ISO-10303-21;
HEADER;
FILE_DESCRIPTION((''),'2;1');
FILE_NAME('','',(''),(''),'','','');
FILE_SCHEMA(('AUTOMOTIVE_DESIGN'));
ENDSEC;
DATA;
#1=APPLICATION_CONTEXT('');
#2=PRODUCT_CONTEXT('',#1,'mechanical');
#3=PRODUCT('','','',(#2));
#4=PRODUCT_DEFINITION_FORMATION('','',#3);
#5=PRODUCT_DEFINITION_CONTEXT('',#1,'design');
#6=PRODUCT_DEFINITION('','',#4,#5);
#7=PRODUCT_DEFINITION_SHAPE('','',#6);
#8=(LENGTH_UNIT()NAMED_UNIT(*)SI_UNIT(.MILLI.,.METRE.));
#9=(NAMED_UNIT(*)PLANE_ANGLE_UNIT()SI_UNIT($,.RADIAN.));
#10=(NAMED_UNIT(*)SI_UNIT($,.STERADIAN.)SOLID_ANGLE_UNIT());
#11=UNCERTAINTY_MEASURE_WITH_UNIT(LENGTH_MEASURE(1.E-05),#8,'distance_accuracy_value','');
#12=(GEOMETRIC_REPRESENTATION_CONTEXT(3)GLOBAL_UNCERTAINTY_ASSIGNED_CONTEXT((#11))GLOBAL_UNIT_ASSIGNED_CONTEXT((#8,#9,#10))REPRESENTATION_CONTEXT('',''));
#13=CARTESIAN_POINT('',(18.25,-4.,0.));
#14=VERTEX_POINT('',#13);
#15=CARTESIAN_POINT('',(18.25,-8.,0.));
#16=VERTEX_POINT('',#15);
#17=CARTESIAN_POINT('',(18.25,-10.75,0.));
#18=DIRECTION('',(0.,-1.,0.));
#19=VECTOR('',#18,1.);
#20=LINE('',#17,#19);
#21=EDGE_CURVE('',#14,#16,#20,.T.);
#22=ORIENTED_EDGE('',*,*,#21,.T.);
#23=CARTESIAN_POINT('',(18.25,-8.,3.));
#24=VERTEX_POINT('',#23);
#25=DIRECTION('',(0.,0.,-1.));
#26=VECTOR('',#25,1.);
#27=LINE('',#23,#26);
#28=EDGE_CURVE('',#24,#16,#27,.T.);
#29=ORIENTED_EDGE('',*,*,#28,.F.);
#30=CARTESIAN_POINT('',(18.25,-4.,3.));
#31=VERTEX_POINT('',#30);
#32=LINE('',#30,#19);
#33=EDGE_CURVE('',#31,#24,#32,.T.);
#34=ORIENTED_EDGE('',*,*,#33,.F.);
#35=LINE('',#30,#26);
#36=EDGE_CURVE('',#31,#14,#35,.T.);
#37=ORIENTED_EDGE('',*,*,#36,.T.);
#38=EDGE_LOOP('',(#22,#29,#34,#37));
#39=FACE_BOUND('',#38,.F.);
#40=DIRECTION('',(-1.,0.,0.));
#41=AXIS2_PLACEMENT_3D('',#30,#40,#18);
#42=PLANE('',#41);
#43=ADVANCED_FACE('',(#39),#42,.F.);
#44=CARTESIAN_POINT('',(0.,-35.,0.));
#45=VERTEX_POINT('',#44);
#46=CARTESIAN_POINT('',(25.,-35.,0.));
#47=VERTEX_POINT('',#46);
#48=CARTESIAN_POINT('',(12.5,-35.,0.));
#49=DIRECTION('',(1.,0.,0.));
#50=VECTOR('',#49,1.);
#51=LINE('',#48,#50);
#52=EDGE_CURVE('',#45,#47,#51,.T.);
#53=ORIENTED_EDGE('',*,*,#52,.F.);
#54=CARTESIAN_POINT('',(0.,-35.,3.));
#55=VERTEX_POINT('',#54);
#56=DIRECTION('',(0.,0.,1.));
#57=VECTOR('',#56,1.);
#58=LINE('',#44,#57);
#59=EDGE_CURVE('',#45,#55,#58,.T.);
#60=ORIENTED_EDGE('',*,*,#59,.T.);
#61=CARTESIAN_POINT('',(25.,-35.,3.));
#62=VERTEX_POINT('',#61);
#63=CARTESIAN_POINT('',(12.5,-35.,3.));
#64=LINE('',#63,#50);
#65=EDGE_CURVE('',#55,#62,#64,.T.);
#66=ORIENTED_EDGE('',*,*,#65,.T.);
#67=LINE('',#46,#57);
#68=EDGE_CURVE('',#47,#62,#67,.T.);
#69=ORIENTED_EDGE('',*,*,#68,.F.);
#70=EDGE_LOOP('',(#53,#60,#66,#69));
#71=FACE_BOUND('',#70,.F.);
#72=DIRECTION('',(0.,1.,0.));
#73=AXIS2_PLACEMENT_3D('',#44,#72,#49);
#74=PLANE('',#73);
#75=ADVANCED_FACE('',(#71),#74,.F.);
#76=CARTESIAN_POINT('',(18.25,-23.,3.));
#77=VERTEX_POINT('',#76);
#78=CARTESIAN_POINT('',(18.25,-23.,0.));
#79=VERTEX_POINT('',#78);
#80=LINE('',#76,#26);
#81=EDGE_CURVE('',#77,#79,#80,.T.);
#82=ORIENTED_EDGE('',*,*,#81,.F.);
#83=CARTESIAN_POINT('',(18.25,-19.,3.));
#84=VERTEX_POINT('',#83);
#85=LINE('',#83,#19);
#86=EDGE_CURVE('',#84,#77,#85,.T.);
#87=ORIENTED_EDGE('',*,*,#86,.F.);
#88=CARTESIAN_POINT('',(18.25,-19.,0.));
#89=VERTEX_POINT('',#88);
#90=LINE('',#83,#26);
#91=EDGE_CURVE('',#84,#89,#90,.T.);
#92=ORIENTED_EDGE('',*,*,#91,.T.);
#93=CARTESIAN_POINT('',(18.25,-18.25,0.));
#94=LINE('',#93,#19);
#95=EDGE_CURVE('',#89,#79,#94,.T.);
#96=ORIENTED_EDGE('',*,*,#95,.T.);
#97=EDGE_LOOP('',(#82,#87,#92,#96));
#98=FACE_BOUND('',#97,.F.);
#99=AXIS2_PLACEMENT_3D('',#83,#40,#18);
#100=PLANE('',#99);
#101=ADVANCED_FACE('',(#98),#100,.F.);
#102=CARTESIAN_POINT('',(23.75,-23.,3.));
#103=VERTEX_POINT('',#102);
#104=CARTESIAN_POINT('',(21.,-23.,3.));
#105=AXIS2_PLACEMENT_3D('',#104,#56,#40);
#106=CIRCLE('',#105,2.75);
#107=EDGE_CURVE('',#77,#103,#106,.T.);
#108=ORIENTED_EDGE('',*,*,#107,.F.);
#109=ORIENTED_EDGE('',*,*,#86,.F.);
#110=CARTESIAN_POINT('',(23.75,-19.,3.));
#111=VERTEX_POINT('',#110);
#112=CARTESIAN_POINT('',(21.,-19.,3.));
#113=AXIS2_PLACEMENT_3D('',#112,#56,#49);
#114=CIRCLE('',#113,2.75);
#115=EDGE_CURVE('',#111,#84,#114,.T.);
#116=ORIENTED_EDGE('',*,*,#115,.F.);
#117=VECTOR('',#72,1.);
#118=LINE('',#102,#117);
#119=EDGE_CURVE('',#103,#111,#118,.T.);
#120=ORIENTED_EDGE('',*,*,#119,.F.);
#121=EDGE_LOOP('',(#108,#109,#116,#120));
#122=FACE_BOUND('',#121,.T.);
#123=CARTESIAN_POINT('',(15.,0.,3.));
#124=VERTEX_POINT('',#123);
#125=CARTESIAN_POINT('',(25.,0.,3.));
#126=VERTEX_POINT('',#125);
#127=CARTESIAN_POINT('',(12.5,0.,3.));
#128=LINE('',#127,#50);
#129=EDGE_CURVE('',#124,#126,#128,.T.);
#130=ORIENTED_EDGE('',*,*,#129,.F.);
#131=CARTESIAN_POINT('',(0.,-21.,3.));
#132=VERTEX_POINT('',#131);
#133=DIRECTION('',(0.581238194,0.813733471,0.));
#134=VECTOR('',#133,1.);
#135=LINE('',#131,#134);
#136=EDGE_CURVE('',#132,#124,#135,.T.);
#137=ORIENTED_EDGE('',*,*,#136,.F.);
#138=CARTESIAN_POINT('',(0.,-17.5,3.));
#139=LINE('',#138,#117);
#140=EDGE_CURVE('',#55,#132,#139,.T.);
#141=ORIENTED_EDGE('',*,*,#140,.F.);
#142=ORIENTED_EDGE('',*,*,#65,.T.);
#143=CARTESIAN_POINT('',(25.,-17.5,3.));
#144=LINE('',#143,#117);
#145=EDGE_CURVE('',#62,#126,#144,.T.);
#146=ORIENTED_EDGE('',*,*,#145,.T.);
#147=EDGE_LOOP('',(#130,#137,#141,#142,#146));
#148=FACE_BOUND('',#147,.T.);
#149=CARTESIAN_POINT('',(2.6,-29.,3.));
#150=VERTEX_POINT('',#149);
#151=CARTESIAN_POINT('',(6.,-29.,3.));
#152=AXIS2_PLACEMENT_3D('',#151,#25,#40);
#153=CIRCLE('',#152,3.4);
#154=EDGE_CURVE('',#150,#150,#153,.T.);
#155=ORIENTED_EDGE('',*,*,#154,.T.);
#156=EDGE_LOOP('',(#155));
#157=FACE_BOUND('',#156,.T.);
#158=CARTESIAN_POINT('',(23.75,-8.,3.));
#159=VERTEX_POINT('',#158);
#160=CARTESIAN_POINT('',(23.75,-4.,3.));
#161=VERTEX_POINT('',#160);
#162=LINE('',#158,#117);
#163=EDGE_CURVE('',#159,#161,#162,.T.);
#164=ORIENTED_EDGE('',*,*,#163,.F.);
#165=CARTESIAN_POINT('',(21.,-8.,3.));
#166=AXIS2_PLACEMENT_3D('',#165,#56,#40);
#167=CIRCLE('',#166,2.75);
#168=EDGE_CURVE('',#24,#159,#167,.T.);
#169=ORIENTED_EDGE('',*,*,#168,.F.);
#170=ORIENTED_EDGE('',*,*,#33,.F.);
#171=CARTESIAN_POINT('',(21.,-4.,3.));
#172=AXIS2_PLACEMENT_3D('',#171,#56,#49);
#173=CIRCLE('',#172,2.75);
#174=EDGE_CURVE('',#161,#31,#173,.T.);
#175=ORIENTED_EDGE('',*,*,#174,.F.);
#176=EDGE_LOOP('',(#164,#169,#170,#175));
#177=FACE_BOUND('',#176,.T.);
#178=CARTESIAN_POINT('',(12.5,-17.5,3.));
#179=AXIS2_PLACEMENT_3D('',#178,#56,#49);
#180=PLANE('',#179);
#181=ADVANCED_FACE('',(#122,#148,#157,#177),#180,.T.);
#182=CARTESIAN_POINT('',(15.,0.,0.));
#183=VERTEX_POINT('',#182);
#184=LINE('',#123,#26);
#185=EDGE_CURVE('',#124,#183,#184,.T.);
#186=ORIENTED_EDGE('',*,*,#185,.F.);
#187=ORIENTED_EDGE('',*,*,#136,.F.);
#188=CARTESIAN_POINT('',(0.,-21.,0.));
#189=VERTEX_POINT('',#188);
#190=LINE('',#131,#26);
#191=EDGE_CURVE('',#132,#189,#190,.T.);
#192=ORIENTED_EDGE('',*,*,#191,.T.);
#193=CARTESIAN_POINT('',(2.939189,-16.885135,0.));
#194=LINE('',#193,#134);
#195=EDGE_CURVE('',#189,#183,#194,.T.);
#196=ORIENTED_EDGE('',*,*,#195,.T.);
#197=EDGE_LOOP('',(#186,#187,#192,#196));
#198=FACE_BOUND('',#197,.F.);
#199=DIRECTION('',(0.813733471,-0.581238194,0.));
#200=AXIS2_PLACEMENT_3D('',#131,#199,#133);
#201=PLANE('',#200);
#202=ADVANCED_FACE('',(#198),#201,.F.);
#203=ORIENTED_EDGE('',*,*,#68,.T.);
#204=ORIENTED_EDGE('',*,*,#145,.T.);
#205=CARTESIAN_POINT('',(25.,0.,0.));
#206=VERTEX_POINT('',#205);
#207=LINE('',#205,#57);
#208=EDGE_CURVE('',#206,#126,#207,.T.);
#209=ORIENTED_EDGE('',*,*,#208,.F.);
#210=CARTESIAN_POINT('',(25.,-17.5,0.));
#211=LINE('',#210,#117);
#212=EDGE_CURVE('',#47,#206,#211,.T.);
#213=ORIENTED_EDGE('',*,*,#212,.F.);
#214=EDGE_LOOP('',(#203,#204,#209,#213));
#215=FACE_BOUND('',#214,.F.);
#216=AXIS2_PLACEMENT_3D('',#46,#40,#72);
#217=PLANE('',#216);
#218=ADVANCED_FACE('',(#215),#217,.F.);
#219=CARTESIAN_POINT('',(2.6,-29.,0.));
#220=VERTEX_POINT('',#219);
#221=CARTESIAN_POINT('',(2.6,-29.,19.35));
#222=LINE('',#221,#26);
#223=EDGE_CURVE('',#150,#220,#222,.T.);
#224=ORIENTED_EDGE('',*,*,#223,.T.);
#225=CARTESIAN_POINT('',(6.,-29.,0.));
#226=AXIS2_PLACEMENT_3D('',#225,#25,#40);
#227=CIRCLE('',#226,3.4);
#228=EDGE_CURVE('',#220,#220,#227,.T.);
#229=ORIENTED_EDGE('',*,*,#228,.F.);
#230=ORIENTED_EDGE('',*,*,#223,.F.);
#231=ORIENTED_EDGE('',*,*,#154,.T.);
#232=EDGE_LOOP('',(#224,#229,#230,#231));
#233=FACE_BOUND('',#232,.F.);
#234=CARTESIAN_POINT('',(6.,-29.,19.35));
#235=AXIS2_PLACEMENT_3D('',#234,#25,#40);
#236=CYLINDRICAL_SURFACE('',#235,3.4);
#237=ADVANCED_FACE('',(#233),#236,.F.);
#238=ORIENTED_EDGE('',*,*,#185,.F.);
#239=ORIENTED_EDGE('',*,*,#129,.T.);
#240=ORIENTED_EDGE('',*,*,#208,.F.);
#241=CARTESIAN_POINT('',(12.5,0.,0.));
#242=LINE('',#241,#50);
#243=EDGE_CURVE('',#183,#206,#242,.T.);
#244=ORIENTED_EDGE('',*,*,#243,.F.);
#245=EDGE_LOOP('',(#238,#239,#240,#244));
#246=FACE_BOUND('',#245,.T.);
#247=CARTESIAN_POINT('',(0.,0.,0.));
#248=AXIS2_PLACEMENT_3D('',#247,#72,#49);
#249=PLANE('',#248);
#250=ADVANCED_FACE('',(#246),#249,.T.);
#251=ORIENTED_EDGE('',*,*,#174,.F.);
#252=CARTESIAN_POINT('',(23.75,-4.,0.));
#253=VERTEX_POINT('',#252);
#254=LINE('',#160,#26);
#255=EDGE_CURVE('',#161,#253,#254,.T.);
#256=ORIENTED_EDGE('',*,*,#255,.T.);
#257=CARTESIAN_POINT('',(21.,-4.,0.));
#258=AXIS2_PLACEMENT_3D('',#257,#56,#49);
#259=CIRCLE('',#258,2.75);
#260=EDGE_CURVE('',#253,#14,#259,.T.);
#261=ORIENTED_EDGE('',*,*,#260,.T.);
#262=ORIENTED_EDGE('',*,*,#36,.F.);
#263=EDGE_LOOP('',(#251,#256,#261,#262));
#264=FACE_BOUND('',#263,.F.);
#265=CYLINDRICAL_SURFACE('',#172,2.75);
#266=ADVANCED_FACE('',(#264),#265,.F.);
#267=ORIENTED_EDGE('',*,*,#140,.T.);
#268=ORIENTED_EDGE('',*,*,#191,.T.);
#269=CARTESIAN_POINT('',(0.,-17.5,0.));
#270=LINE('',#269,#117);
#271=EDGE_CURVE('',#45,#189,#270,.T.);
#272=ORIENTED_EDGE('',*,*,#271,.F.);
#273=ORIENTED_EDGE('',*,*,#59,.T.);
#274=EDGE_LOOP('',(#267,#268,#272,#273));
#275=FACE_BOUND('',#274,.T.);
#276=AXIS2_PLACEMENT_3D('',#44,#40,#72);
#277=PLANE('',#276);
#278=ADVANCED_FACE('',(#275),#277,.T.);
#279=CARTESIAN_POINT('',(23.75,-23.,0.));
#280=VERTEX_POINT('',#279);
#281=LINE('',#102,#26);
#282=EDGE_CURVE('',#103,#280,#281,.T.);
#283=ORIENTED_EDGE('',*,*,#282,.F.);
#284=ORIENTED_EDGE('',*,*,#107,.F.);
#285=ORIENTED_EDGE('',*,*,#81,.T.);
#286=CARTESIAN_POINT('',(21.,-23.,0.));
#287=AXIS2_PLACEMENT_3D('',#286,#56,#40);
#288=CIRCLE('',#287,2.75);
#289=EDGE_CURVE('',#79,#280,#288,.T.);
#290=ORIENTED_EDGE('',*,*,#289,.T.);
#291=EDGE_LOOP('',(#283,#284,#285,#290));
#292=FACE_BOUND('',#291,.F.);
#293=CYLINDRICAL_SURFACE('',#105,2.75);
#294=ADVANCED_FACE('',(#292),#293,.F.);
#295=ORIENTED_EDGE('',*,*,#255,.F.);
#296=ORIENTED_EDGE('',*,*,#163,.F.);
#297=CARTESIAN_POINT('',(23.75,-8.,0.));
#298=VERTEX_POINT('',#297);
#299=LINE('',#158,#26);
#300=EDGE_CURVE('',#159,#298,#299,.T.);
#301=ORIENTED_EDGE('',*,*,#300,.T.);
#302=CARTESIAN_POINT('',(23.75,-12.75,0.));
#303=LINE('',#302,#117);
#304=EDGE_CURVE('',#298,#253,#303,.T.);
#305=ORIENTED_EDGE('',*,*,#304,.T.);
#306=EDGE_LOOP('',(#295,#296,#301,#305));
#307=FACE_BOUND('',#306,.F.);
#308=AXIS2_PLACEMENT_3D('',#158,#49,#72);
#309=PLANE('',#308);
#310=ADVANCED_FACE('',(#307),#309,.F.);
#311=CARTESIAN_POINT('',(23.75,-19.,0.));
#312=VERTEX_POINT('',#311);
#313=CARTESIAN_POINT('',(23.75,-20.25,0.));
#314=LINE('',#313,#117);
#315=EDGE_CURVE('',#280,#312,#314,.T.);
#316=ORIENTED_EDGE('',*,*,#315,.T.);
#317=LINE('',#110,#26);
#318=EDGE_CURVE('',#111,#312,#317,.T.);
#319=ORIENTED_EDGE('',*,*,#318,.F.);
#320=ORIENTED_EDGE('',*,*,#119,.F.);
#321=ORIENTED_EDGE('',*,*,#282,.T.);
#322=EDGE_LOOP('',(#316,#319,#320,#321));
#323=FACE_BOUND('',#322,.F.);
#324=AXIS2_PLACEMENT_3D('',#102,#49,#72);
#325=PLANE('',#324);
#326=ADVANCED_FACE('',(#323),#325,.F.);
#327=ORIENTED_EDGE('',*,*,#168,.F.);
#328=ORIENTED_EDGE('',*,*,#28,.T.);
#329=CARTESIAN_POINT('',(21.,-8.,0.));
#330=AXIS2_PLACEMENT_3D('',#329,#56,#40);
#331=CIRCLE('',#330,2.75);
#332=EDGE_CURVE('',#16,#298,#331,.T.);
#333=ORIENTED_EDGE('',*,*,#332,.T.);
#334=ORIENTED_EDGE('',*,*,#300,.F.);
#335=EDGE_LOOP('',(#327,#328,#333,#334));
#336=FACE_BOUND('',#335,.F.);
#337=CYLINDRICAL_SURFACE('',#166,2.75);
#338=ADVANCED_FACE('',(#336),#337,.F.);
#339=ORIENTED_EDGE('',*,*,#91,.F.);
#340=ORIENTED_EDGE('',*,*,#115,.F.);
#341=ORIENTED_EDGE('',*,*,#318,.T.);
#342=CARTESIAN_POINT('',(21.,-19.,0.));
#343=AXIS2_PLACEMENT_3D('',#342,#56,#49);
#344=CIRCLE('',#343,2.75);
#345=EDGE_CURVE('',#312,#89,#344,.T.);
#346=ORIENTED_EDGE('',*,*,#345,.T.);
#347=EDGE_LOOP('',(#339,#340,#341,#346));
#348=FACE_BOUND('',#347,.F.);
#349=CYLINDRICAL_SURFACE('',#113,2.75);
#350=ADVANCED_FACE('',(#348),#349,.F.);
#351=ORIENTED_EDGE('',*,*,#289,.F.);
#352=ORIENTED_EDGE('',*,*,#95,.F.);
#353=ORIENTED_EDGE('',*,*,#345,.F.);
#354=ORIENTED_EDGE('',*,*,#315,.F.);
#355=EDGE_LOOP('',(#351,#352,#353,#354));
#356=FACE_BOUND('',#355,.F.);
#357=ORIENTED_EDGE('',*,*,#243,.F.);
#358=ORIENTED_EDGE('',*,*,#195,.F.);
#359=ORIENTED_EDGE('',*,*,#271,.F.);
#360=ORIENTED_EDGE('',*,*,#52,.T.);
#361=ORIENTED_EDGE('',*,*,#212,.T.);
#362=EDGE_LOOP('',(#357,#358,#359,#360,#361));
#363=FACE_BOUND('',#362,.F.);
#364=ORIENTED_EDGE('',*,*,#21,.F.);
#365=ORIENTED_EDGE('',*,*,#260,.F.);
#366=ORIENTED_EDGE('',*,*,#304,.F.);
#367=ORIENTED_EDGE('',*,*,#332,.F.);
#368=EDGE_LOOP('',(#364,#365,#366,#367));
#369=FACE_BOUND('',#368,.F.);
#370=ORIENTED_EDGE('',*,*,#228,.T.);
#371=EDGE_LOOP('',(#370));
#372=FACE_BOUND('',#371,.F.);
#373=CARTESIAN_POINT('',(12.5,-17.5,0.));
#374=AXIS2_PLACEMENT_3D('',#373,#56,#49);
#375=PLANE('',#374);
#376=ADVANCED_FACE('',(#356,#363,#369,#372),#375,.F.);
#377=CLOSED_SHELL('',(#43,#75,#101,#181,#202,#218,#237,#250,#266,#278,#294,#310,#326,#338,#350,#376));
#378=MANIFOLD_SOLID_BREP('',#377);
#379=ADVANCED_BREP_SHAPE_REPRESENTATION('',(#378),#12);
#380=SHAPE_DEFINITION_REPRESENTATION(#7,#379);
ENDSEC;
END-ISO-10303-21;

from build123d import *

# Parameters (mm, degrees)
F0_W     = 25
F0_H     = 35
F1_DEPTH = 3
F3_DEPTH = 25
F4_D     = 6.8
F4_DEPTH = 16.35
F4_TIP   = 2.0429261047
F6_DEPTH = 25


with BuildPart() as f1:
    # F0 (on Top) → F1 (new body)
    with BuildSketch(Plane.XY):
        with Locations((12.5, -17.5)):
            Rectangle(F0_W, F0_H)
    extrude(amount=F1_DEPTH)

    # F2 (on face) → F3 (cut)
    with BuildSketch(Plane.XY.offset(3)):
        with BuildLine():
            Line((18.25, -4), (23.75, -4))
            ThreePointArc((23.75, -4), (21, -1.25), (18.25, -4))
        make_face()
        with BuildLine():
            Line((23.75, -8), (23.75, -4))
            ThreePointArc((23.75, -4), (23.5251743677, -5.089033706), (22.8874586088, -6))
            ThreePointArc((22.8874586088, -6), (23.5251743677, -6.910966294), (23.75, -8))
        make_face()
        with BuildLine():
            ThreePointArc((22.8874586088, -6), (23.5251743677, -5.089033706), (23.75, -4))
            Line((23.75, -4), (18.25, -4))
            ThreePointArc((18.25, -4), (18.4748256323, -5.089033706), (19.1125413912, -6))
            ThreePointArc((19.1125413912, -6), (21, -5.25), (22.8874586088, -6))
        make_face()
        with BuildLine():
            ThreePointArc((19.1125413912, -6), (18.4748256323, -5.089033706), (18.25, -4))
            Line((18.25, -4), (18.25, -8))
            ThreePointArc((18.25, -8), (18.4748256323, -6.910966294), (19.1125413912, -6))
        make_face()
        with BuildLine():
            ThreePointArc((23.75, -8), (23.5251743677, -6.910966294), (22.8874586088, -6))
            ThreePointArc((22.8874586088, -6), (21, -6.75), (19.1125413912, -6))
            ThreePointArc((19.1125413912, -6), (18.4748256323, -6.910966294), (18.25, -8))
            ThreePointArc((18.25, -8), (21, -10.75), (23.75, -8))
        make_face()
        with BuildLine():
            ThreePointArc((22.8874586088, -21), (23.5251743677, -20.089033706), (23.75, -19))
            ThreePointArc((23.75, -19), (21, -16.25), (18.25, -19))
            ThreePointArc((18.25, -19), (18.4748256323, -20.089033706), (19.1125413912, -21))
            ThreePointArc((19.1125413912, -21), (21, -20.25), (22.8874586088, -21))
        make_face()
        with BuildLine():
            Line((23.75, -23), (23.75, -19))
            ThreePointArc((23.75, -19), (23.5251743677, -20.089033706), (22.8874586088, -21))
            ThreePointArc((22.8874586088, -21), (23.5251743677, -21.910966294), (23.75, -23))
        make_face()
        with BuildLine():
            ThreePointArc((19.1125413912, -21), (18.4748256323, -20.089033706), (18.25, -19))
            Line((18.25, -19), (18.25, -23))
            ThreePointArc((18.25, -23), (18.4748256323, -21.910966294), (19.1125413912, -21))
        make_face()
        with BuildLine():
            ThreePointArc((23.75, -23), (23.5251743677, -21.910966294), (22.8874586088, -21))
            ThreePointArc((22.8874586088, -21), (21, -21.75), (19.1125413912, -21))
            ThreePointArc((19.1125413912, -21), (18.4748256323, -21.910966294), (18.25, -23))
            ThreePointArc((18.25, -23), (21, -25.75), (23.75, -23))
        make_face()
        with BuildLine():
            ThreePointArc((19.1125413912, -21), (21, -21.75), (22.8874586088, -21))
            ThreePointArc((22.8874586088, -21), (21, -20.25), (19.1125413912, -21))
        make_face()
        with BuildLine():
            ThreePointArc((19.1125413912, -6), (21, -6.75), (22.8874586088, -6))
            ThreePointArc((22.8874586088, -6), (21, -5.25), (19.1125413912, -6))
        make_face()
    extrude(amount=-F3_DEPTH, mode=Mode.SUBTRACT)

    # F4
    with Locations(Plane.XY.offset(3)):
        with Locations((6, -29)):
            Hole(F4_D / 2, depth=F4_DEPTH)
            with Locations((0, 0, -(F4_DEPTH + F4_TIP / 2))):  # 118° drill point
                Cone(0, F4_D / 2, F4_TIP, mode=Mode.SUBTRACT)

    # F5 (on face) → F6 (cut)
    with BuildSketch(Plane.XY.offset(3)):
        Polygon((0, -21), (15, 0), (0, 0), align=None)
    extrude(amount=-F6_DEPTH, mode=Mode.SUBTRACT)


solid = f1.part
